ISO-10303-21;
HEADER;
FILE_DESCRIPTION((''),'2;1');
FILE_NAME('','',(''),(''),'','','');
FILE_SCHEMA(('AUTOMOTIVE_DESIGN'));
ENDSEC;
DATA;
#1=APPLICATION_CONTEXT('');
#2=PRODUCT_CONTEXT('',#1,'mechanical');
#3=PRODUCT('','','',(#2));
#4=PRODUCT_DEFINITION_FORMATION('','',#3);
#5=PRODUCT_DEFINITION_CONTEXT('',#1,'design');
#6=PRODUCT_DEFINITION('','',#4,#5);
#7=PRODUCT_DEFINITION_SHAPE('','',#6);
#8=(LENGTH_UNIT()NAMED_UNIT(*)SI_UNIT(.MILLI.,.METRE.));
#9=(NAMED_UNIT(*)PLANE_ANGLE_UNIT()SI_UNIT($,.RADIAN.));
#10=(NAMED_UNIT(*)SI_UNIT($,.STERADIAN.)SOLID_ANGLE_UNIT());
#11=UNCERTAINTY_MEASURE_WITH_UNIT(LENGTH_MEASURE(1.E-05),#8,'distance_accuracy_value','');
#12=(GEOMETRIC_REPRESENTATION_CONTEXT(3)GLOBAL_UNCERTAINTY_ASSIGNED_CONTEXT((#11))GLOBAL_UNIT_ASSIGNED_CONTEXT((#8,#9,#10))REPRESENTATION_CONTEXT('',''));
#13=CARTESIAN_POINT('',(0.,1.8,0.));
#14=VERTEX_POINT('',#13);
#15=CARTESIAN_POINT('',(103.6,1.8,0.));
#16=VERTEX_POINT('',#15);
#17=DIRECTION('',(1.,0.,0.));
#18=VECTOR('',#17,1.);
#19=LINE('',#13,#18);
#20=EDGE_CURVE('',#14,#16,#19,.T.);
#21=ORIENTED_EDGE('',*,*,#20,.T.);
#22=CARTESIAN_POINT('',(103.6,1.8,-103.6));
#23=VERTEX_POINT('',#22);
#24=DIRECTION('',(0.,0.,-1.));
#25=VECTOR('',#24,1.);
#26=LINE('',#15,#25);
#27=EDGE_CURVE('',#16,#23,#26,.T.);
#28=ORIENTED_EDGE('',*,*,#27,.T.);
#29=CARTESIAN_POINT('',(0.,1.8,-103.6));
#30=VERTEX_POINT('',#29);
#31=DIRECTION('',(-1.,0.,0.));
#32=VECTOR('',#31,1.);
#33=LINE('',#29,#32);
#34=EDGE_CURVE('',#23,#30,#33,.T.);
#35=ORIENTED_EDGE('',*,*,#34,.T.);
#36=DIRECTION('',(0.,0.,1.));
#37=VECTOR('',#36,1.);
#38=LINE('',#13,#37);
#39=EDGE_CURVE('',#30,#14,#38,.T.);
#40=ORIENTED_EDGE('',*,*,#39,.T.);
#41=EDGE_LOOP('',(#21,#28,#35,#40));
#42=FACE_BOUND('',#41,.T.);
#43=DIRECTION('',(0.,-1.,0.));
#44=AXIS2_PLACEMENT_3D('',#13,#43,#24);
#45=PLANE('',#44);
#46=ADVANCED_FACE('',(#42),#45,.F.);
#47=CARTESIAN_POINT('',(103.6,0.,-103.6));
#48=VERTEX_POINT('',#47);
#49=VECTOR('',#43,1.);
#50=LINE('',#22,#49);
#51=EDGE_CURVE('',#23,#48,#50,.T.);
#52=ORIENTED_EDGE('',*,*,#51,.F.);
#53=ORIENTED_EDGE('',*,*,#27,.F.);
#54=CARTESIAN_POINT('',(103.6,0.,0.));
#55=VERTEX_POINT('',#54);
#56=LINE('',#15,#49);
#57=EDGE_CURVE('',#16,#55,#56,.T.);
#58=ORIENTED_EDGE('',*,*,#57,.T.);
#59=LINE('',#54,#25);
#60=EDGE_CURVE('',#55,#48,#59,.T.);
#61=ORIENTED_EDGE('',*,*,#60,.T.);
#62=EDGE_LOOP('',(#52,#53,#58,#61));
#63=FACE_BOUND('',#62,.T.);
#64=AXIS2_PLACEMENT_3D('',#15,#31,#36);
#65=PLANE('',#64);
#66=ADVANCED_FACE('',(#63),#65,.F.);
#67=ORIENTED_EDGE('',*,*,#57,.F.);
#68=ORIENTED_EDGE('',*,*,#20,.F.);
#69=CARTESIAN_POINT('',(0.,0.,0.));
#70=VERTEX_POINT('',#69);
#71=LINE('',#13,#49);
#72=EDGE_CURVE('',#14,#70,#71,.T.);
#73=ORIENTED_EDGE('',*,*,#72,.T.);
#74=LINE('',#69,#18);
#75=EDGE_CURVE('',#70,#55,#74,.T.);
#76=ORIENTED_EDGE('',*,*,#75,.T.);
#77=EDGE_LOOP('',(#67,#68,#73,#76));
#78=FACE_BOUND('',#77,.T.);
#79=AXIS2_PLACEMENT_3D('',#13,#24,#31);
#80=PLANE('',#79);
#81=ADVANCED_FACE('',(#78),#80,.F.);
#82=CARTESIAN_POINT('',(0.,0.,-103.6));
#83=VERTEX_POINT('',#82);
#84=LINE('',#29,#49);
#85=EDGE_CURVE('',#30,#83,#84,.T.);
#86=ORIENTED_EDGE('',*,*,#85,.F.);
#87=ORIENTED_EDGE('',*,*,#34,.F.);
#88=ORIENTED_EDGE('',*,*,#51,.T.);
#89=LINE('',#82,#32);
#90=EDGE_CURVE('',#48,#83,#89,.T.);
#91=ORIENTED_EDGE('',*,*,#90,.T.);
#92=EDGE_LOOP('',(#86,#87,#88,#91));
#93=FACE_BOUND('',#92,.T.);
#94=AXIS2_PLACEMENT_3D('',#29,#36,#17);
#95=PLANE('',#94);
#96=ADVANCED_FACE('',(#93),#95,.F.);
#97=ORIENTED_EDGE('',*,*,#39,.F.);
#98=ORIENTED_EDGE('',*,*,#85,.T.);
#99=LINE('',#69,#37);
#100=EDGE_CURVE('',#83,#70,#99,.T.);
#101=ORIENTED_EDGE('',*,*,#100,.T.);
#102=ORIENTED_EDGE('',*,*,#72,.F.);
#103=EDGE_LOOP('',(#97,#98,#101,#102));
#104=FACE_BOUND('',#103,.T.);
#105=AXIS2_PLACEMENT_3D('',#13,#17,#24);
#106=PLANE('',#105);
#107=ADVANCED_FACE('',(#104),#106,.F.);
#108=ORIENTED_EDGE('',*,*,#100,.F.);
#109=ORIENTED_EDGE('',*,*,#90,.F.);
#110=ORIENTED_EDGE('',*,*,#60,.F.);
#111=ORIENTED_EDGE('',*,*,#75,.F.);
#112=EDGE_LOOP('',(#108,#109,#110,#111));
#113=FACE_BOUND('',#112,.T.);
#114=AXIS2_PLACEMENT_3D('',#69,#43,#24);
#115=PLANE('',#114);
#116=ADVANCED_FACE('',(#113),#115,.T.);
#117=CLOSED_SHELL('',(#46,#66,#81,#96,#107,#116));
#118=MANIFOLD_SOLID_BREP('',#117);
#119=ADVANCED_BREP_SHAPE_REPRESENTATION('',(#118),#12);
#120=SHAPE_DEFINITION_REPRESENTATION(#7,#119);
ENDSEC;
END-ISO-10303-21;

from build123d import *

# Parameters (mm, degrees)
SKETCH_1_W      = 103.6
SKETCH_1_H      = 103.6
EXTRUDE_1_DEPTH = 1.8


with BuildPart() as part:
    # 草图1 → 凸台-拉伸1 (new body)
    with BuildSketch(Plane(origin=(0, 0, 0), x_dir=(1, 0, 0), z_dir=(0, 1, 0))):
        with Locations((51.8, 51.8)):
            Rectangle(SKETCH_1_W, SKETCH_1_H)
    extrude(amount=EXTRUDE_1_DEPTH)


solid = part.part
